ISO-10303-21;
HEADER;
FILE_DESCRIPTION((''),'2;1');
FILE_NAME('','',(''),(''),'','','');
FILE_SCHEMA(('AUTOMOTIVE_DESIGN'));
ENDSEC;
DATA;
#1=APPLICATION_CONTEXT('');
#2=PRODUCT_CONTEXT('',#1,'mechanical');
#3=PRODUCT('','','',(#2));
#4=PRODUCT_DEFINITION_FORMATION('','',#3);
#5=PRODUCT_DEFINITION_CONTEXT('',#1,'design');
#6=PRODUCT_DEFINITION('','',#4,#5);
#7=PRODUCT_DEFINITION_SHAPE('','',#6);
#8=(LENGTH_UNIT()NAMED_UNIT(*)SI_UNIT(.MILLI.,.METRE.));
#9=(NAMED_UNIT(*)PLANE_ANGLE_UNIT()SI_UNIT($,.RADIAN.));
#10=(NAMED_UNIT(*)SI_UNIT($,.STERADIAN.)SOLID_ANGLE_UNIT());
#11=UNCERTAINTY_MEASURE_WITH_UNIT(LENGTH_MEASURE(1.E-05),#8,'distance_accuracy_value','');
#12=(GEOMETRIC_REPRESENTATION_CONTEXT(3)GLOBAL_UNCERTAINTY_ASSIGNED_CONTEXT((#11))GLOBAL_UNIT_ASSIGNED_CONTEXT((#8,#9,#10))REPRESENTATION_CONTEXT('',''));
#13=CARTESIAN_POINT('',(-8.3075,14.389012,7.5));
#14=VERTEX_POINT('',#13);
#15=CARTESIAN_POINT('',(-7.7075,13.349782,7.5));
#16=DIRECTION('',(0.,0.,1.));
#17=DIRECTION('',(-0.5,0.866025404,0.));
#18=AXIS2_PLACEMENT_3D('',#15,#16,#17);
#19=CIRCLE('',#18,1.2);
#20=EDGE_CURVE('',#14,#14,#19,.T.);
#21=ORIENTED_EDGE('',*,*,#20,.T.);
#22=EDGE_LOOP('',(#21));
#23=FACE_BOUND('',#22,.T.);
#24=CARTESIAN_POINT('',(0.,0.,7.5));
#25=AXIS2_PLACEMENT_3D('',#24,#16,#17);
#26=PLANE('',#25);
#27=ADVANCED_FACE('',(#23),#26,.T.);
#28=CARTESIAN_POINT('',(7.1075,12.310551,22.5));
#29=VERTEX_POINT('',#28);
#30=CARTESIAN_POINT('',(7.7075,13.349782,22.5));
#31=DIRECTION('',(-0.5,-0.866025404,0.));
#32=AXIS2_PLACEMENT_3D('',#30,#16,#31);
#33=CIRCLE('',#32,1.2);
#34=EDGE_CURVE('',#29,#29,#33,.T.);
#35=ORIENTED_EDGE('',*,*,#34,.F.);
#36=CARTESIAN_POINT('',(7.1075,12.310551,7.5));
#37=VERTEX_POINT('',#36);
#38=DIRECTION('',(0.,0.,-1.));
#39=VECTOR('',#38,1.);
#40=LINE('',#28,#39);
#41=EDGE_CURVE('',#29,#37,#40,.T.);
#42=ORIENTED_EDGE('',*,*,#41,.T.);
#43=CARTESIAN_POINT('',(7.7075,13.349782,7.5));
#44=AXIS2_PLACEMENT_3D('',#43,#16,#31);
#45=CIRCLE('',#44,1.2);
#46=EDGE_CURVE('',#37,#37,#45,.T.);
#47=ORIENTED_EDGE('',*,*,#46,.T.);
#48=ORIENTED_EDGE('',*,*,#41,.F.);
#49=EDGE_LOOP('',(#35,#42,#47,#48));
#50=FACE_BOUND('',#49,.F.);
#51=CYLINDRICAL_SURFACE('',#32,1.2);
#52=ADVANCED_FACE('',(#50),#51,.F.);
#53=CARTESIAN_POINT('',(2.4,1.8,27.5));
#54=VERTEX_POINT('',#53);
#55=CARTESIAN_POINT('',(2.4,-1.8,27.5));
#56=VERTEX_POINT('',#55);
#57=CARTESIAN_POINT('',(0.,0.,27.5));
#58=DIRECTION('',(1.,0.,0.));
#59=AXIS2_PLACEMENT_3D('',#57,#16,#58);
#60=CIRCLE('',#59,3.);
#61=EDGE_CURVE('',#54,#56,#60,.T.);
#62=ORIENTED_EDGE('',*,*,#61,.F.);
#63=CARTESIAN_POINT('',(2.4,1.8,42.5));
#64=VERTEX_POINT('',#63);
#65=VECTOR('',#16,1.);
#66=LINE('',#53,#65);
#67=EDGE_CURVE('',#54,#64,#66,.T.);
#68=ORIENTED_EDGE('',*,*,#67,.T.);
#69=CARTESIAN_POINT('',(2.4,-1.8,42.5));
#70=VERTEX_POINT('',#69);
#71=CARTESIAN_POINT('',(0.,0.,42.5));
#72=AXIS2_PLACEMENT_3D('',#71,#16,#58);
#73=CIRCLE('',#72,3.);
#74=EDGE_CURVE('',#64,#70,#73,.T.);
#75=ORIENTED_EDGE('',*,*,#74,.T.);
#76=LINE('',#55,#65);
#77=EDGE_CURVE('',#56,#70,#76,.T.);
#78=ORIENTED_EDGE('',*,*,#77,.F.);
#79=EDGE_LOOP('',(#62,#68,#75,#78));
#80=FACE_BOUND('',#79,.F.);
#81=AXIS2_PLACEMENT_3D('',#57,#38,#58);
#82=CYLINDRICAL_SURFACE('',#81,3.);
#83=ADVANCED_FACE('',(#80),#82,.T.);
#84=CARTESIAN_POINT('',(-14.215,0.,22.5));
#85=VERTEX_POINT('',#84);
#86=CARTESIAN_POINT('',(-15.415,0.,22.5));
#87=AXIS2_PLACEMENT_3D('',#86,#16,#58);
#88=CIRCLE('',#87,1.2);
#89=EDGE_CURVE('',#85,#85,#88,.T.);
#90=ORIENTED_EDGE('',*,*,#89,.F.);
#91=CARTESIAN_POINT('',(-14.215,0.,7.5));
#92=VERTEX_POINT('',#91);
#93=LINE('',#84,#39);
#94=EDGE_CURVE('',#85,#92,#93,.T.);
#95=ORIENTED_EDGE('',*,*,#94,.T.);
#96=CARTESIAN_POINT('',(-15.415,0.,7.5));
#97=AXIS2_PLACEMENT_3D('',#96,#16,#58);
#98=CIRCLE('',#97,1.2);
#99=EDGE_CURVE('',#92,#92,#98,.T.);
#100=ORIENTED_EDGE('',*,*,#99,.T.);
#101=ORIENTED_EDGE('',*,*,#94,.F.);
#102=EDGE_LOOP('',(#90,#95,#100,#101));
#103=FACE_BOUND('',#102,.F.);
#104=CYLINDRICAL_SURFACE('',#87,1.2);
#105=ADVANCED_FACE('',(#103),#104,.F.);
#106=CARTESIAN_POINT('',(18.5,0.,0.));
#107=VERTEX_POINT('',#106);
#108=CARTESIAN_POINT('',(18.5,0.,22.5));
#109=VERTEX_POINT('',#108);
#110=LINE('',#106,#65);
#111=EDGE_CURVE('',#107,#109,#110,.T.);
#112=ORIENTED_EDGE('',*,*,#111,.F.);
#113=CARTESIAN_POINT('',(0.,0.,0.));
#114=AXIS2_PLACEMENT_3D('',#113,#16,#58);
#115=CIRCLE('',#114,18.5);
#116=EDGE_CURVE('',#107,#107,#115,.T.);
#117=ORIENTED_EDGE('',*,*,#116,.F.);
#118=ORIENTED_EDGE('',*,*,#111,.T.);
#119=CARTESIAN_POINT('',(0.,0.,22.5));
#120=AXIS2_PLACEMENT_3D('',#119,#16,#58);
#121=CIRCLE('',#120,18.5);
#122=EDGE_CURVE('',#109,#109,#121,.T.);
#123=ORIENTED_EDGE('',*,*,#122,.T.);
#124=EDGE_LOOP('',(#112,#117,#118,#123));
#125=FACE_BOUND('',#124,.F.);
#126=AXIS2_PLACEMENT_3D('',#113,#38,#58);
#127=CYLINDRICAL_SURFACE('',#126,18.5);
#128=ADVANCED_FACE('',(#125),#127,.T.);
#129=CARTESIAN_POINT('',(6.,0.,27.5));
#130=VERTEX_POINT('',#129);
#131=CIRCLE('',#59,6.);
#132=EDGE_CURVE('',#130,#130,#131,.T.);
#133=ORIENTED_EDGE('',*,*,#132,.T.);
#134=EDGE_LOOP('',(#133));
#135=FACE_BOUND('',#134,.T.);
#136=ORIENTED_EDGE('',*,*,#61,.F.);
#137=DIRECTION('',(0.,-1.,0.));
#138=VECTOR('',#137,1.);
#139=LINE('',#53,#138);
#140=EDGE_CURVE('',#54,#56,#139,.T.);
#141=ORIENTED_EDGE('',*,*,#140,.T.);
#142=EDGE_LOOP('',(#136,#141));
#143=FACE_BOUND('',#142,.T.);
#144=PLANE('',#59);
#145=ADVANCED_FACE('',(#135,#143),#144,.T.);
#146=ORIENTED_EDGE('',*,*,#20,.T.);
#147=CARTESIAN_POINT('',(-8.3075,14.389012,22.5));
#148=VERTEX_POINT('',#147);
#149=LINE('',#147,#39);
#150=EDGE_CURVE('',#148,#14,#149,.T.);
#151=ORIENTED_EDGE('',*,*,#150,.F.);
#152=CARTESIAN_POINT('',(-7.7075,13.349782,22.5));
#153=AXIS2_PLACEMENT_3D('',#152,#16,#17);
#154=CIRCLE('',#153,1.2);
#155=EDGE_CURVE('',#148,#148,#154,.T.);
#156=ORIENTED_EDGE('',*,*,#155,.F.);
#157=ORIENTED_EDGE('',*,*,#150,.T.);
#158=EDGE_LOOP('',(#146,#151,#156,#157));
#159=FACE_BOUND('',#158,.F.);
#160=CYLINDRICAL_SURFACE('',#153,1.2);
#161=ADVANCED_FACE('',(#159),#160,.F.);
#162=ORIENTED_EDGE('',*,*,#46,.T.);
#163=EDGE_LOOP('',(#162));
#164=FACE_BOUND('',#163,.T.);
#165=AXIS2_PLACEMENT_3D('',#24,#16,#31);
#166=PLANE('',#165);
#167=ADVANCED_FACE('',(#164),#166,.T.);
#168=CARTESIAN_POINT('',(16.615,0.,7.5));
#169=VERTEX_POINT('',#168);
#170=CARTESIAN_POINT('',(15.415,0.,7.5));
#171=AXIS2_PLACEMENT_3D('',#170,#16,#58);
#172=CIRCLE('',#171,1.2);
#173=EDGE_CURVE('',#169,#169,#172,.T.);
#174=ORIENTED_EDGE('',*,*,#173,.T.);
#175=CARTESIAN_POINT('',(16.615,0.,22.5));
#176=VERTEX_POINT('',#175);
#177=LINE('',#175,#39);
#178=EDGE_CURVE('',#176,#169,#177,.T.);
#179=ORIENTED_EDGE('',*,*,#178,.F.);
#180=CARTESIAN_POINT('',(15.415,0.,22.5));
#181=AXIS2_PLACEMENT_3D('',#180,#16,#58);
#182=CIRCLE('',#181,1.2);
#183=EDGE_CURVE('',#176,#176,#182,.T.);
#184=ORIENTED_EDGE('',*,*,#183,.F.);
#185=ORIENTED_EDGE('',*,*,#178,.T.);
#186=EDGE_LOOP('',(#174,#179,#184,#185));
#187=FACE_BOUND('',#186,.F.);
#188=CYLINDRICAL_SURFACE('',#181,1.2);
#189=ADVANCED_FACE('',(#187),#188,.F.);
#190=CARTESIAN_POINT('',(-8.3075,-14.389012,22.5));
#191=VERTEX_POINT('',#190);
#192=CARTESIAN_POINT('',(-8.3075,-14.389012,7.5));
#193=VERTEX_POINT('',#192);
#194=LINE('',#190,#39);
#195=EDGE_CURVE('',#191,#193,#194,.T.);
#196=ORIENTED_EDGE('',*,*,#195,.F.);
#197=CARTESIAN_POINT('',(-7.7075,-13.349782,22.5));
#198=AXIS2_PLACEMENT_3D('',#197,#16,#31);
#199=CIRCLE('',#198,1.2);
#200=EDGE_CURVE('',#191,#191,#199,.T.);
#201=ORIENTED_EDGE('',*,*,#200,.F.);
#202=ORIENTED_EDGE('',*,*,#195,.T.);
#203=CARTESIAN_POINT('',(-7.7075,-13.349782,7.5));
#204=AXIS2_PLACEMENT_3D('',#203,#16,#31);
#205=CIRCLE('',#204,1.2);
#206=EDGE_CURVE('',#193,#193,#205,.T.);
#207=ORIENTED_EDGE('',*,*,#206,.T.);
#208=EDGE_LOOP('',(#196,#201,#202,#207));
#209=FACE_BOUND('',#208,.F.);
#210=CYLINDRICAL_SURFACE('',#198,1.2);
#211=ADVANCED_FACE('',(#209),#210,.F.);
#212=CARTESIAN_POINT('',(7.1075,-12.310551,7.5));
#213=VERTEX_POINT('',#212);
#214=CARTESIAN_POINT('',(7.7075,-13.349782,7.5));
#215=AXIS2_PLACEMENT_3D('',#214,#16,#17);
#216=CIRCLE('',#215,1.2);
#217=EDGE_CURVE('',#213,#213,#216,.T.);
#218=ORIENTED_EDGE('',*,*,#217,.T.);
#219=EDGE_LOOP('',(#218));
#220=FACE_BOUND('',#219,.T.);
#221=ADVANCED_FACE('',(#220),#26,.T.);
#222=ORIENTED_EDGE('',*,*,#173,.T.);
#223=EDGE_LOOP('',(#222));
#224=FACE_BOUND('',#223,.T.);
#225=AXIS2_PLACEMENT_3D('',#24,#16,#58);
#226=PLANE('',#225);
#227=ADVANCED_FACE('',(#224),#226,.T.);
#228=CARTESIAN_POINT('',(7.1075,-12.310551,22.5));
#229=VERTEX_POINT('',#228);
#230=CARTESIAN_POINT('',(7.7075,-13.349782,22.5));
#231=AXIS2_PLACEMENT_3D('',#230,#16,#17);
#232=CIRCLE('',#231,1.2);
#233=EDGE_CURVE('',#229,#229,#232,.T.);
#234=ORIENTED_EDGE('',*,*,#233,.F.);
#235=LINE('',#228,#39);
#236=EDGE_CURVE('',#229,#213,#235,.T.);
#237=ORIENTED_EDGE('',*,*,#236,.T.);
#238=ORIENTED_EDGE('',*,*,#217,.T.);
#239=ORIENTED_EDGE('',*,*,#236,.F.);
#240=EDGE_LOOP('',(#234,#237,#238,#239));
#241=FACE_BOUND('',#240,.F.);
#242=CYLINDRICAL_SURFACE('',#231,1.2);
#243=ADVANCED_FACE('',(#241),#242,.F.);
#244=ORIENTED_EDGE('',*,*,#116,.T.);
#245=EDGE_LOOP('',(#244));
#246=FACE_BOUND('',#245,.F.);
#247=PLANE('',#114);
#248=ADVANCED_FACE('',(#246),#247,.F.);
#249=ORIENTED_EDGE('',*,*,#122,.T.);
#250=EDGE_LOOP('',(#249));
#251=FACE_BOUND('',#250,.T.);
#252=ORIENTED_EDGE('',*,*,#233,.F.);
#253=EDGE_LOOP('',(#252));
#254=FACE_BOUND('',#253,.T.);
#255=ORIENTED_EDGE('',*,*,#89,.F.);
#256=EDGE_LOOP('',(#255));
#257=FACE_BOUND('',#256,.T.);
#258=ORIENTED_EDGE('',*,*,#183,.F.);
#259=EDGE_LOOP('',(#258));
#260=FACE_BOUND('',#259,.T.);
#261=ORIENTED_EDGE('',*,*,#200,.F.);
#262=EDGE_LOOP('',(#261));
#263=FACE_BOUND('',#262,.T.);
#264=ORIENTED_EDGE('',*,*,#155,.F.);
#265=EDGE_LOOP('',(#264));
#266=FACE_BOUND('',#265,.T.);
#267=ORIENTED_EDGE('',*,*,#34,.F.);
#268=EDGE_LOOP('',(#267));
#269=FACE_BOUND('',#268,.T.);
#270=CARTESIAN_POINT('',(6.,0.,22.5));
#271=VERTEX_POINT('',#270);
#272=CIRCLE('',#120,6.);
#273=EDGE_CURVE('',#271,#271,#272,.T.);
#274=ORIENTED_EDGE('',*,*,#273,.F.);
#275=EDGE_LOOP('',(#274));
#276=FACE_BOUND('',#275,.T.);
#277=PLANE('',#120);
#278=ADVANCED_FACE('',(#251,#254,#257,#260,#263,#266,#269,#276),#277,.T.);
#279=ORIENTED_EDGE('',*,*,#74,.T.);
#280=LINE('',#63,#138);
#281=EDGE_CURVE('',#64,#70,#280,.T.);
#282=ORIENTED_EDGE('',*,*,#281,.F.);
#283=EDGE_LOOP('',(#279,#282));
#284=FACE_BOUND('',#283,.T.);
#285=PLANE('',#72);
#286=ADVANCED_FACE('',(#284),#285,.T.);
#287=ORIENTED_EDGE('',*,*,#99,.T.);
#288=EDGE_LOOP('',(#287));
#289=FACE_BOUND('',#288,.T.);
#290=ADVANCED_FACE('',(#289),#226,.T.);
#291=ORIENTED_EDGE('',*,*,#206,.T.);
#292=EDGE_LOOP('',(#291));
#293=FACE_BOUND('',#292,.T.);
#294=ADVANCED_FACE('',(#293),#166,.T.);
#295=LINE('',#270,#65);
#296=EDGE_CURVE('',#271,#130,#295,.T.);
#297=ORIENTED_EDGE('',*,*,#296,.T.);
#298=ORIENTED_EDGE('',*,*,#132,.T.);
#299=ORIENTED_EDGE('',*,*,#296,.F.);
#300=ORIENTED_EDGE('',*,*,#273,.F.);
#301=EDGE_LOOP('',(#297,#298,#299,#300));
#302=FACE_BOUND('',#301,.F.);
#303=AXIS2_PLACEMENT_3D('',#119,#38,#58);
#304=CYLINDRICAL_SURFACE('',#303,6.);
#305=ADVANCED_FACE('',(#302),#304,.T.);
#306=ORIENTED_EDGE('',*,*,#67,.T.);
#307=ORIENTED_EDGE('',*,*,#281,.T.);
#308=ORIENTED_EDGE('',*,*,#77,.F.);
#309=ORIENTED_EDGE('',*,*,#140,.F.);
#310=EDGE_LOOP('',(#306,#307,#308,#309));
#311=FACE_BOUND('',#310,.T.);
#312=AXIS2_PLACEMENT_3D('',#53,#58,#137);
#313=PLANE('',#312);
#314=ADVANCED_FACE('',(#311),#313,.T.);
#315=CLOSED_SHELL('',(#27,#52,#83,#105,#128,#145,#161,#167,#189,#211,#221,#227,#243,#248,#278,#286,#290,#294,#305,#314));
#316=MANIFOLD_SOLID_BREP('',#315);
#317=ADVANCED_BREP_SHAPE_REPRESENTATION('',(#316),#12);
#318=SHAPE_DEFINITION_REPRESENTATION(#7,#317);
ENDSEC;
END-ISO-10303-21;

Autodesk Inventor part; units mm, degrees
ref_plane "YZ Plane" through (0, 0, 0) normal (1, 0, 0) x (0, 1, 0)
ref_plane "XZ Plane" through (0, 0, 0) normal (0, 1, 0) x (-1, 0, 0)
ref_plane "XY Plane" through (0, 0, 0) normal (0, 0, 1) x (1, 0, 0)
sketch "Sketch1" plane through (0, 0, 0) normal (0, 0, 1) x (1, 0, 0)
  circle A0 centre (0, 0) radius 18.5
  dimension "d0" = 37
extrude "Extrusion1" add sketch "Sketch1" along normal blind 22.5
sketch "Sketch2" plane through (0, 0, 22.5) normal (0, 0, 1) x (1, 0, 0)
  circle A0 centre (0, 0) radius 6
  dimension "d3" = 12
extrude "Extrusion2" add sketch "Sketch2" along normal blind 5
sketch "Sketch3" plane through (0, 0, 27.5) normal (0, 0, 1) x (1, 0, 0)
  circle A0 centre (0, 0) radius 3
  line L0 (2.4, 1.8) -> (2.4, -1.8)
  line L1 (-3, 1.378) -> (-3, -1.1408) construction
  dimension "d6" = 6
  dimension "d7" = 5.4
extrude "Extrusion3" add sketch "Sketch3" along normal blind 15 contours L0 A0 picked at (0.2387, 0.7304)
sketch "Sketch4" plane through (0, 0, 22.5) normal (0, 0, 1) x (1, 0, 0)
  circle A0 centre (-15.415, 0) radius 1.2
  circle A1 centre (15.415, 0) radius 1.2
  arc A2 (2.4, 1.8) -> (2.4, -1.8) centre (0, 0) ccw projected
  line L0 (2.4, -1.8) -> (2.4, 1.8) projected
  circle A3 centre (0, 0) radius 15.415 construction
  dimension "d10" = 30.83
  dimension "d11" = 2.4
extrude "Extrusion4" cut sketch "Sketch4" against normal blind 15 contours A0 | A1
pattern_circular "Circular Pattern1" count 3 over 360 about axis through (0, 0, 0) along (0, 0, 1) of "Extrusion4"
properties part number "Gearbox"
